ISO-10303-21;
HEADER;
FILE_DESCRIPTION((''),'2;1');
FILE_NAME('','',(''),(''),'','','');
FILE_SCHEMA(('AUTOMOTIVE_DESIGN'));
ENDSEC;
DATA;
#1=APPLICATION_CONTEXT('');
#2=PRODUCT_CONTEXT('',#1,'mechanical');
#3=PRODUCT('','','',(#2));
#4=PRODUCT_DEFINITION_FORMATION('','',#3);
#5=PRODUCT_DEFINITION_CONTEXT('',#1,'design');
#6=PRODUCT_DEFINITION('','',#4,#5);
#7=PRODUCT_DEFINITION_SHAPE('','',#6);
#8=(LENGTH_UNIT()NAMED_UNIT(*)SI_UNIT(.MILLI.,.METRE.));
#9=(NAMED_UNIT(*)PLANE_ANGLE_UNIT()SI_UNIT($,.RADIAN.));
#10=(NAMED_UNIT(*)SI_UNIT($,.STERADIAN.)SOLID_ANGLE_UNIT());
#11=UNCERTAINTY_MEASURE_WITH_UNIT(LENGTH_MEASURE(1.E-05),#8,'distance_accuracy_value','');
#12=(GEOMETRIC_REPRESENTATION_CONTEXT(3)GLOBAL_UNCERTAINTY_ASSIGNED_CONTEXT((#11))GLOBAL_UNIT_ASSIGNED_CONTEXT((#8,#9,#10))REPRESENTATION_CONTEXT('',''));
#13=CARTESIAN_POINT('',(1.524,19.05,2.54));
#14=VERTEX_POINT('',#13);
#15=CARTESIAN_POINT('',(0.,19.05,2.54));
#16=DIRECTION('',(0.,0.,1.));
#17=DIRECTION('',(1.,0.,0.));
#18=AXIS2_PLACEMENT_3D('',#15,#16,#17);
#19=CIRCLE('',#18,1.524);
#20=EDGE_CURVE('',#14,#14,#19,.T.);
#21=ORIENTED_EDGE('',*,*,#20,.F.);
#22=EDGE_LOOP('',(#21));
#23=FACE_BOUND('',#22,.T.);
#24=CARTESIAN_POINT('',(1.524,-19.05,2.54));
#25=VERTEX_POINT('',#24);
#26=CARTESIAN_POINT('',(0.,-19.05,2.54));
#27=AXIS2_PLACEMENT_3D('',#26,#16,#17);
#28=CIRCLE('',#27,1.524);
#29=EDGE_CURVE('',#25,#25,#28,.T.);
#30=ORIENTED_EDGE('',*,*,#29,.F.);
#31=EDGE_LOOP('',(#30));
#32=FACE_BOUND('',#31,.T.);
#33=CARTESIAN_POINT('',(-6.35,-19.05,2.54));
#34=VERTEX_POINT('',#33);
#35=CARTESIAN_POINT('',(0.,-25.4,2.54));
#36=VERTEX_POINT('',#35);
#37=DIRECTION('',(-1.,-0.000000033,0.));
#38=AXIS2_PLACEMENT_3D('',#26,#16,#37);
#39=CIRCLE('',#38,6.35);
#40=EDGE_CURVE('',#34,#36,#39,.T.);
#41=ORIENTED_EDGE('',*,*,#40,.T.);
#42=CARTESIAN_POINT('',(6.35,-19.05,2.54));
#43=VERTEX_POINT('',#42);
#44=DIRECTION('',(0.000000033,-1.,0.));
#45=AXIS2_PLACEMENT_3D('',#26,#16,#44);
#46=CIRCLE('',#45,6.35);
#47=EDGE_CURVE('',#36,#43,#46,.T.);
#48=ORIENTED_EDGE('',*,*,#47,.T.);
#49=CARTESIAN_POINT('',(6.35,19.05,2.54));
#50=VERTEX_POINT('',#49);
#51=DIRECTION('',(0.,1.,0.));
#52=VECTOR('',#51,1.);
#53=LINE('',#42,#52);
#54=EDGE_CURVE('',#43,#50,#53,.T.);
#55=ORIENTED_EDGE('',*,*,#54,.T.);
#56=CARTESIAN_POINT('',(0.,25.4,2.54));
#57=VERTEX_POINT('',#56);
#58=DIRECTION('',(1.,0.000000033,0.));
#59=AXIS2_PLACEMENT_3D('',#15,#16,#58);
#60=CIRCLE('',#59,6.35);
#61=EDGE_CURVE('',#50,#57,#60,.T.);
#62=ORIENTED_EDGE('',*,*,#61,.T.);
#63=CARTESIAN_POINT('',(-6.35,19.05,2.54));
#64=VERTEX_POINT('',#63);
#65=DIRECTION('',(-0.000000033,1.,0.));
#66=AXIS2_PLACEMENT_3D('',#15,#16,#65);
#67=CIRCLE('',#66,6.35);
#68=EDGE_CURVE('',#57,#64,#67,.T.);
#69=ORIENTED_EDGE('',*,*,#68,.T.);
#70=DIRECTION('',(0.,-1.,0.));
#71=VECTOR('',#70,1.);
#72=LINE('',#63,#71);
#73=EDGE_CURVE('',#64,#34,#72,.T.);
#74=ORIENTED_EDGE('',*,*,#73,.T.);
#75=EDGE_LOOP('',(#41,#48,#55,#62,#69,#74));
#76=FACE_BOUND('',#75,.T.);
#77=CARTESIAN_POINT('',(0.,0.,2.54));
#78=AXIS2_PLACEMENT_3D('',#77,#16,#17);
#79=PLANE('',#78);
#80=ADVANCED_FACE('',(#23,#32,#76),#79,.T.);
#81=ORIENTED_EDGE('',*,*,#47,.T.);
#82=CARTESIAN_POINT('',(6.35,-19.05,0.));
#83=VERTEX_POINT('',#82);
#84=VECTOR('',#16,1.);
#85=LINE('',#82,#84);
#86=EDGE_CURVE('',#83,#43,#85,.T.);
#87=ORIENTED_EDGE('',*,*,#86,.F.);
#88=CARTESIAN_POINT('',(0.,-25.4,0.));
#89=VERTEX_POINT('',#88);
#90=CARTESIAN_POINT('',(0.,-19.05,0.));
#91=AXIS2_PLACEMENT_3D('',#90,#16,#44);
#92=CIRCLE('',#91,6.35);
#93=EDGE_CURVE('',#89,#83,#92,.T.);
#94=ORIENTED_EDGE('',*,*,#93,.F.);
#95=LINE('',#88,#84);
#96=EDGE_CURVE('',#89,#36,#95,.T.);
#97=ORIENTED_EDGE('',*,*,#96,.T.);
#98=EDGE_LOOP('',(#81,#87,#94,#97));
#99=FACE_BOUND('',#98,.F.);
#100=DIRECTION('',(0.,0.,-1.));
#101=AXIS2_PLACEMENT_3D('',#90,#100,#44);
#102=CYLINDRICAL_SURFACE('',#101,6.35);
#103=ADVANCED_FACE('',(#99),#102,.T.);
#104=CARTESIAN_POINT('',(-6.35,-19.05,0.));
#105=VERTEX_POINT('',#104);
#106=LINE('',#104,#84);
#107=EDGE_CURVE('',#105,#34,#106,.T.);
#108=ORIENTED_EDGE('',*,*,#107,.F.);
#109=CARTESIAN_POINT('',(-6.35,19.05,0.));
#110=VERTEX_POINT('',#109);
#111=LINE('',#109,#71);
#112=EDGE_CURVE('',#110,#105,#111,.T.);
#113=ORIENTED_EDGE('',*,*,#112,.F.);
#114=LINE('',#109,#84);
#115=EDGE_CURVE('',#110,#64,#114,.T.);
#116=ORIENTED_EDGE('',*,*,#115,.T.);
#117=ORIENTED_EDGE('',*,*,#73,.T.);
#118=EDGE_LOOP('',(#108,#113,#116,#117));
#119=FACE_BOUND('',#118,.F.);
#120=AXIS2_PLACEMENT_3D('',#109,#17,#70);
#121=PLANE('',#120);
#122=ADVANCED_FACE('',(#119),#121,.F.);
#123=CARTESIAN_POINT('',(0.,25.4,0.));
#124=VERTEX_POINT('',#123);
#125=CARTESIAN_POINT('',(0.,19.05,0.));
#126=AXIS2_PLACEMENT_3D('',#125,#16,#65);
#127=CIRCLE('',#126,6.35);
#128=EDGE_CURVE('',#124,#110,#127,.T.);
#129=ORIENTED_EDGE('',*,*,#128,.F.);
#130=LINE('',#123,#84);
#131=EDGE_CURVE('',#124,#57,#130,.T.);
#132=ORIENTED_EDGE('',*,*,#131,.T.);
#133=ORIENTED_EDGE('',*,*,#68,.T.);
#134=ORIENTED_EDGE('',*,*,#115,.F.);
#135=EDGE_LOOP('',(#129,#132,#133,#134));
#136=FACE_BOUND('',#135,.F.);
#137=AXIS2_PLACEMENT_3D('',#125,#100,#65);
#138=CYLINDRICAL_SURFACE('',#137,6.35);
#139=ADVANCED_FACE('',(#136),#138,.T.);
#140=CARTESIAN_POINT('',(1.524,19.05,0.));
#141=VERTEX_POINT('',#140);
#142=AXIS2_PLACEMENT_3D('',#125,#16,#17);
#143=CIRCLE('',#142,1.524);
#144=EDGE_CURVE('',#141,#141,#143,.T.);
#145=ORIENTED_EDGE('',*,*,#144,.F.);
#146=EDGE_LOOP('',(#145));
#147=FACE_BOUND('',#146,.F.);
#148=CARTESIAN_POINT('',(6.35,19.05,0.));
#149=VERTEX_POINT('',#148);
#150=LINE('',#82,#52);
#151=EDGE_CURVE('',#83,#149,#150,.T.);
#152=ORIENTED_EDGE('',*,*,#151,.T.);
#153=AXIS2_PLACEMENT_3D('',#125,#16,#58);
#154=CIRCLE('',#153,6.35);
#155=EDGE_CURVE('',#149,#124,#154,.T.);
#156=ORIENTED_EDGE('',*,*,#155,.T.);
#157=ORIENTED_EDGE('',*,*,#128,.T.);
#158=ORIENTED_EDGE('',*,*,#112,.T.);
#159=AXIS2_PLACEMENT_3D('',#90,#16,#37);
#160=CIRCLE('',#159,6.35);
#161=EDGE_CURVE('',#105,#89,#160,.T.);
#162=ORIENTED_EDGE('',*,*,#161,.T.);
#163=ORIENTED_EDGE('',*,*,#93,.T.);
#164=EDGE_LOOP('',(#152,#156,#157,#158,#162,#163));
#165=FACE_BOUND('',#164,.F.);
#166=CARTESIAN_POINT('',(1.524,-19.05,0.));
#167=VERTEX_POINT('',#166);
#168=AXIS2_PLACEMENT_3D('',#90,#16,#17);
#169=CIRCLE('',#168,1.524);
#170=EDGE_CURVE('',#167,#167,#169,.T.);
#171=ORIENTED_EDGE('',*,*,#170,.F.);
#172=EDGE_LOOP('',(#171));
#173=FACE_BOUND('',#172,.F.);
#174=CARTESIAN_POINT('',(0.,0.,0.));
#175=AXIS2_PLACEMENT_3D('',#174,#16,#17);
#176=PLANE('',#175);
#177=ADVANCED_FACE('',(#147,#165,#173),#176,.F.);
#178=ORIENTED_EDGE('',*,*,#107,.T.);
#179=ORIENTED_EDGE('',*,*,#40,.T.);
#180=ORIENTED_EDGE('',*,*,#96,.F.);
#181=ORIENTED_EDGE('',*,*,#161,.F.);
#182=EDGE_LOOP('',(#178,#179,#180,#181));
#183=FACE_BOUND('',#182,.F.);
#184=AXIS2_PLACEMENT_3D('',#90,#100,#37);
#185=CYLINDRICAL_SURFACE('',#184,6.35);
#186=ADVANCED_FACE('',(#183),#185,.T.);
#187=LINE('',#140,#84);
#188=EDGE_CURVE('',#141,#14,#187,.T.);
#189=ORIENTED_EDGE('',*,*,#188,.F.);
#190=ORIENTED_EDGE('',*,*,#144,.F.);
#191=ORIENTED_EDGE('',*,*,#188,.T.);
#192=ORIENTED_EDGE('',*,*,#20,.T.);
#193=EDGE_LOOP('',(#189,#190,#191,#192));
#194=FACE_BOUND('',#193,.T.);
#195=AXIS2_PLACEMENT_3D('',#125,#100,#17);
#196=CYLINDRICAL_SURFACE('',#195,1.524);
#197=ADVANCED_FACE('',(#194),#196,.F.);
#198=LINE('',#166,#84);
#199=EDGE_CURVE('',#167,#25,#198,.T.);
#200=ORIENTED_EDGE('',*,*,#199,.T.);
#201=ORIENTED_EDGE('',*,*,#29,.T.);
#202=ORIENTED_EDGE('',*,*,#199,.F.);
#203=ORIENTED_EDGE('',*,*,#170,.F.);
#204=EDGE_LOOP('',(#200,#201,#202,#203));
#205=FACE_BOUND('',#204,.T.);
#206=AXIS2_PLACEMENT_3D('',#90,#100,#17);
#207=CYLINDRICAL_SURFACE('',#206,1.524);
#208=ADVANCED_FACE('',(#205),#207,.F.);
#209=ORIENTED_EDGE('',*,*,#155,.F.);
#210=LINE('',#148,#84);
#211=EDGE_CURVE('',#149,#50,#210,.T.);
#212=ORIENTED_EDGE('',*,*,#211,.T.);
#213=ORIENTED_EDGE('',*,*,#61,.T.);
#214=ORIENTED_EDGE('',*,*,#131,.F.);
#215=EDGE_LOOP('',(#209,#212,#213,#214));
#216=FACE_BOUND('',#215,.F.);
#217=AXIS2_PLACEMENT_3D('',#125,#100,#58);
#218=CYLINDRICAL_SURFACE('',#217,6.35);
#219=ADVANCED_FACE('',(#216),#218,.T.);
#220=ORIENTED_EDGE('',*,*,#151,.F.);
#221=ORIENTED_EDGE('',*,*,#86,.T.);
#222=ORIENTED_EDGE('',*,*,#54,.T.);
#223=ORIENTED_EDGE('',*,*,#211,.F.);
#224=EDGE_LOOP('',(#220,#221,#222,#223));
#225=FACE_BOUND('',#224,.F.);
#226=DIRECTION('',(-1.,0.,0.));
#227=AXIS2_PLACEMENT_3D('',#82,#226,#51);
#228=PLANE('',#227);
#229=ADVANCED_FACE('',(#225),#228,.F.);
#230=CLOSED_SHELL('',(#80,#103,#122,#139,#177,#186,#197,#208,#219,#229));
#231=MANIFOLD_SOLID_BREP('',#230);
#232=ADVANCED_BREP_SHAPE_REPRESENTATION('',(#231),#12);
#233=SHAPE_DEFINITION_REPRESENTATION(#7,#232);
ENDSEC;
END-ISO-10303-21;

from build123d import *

# Parameters (mm, degrees)
F0_R     = 1.524
F1_DEPTH = 2.54


with BuildPart() as f1:
    # F0 (on Top) → F1 (new body)
    with BuildSketch(Plane.XY):
        with BuildLine():
            Line((6.35, -19.05), (6.35, 19.05))
            ThreePointArc((6.35, 19.05), (4.490128, 23.540128), (0, 25.4))
            ThreePointArc((0, 25.4), (-4.490128, 23.540128), (-6.35, 19.05))
            Line((-6.35, 19.05), (-6.35, -19.05))
            ThreePointArc((-6.35, -19.05), (-4.490128, -23.540128), (0, -25.4))
            ThreePointArc((0, -25.4), (4.490128, -23.540128), (6.35, -19.05))
        make_face()
        with Locations((0, -19.05)):
            Circle(F0_R, mode=Mode.SUBTRACT)
        with Locations((0, 19.05)):
            Circle(F0_R, mode=Mode.SUBTRACT)
    extrude(amount=F1_DEPTH)


solid = f1.part
